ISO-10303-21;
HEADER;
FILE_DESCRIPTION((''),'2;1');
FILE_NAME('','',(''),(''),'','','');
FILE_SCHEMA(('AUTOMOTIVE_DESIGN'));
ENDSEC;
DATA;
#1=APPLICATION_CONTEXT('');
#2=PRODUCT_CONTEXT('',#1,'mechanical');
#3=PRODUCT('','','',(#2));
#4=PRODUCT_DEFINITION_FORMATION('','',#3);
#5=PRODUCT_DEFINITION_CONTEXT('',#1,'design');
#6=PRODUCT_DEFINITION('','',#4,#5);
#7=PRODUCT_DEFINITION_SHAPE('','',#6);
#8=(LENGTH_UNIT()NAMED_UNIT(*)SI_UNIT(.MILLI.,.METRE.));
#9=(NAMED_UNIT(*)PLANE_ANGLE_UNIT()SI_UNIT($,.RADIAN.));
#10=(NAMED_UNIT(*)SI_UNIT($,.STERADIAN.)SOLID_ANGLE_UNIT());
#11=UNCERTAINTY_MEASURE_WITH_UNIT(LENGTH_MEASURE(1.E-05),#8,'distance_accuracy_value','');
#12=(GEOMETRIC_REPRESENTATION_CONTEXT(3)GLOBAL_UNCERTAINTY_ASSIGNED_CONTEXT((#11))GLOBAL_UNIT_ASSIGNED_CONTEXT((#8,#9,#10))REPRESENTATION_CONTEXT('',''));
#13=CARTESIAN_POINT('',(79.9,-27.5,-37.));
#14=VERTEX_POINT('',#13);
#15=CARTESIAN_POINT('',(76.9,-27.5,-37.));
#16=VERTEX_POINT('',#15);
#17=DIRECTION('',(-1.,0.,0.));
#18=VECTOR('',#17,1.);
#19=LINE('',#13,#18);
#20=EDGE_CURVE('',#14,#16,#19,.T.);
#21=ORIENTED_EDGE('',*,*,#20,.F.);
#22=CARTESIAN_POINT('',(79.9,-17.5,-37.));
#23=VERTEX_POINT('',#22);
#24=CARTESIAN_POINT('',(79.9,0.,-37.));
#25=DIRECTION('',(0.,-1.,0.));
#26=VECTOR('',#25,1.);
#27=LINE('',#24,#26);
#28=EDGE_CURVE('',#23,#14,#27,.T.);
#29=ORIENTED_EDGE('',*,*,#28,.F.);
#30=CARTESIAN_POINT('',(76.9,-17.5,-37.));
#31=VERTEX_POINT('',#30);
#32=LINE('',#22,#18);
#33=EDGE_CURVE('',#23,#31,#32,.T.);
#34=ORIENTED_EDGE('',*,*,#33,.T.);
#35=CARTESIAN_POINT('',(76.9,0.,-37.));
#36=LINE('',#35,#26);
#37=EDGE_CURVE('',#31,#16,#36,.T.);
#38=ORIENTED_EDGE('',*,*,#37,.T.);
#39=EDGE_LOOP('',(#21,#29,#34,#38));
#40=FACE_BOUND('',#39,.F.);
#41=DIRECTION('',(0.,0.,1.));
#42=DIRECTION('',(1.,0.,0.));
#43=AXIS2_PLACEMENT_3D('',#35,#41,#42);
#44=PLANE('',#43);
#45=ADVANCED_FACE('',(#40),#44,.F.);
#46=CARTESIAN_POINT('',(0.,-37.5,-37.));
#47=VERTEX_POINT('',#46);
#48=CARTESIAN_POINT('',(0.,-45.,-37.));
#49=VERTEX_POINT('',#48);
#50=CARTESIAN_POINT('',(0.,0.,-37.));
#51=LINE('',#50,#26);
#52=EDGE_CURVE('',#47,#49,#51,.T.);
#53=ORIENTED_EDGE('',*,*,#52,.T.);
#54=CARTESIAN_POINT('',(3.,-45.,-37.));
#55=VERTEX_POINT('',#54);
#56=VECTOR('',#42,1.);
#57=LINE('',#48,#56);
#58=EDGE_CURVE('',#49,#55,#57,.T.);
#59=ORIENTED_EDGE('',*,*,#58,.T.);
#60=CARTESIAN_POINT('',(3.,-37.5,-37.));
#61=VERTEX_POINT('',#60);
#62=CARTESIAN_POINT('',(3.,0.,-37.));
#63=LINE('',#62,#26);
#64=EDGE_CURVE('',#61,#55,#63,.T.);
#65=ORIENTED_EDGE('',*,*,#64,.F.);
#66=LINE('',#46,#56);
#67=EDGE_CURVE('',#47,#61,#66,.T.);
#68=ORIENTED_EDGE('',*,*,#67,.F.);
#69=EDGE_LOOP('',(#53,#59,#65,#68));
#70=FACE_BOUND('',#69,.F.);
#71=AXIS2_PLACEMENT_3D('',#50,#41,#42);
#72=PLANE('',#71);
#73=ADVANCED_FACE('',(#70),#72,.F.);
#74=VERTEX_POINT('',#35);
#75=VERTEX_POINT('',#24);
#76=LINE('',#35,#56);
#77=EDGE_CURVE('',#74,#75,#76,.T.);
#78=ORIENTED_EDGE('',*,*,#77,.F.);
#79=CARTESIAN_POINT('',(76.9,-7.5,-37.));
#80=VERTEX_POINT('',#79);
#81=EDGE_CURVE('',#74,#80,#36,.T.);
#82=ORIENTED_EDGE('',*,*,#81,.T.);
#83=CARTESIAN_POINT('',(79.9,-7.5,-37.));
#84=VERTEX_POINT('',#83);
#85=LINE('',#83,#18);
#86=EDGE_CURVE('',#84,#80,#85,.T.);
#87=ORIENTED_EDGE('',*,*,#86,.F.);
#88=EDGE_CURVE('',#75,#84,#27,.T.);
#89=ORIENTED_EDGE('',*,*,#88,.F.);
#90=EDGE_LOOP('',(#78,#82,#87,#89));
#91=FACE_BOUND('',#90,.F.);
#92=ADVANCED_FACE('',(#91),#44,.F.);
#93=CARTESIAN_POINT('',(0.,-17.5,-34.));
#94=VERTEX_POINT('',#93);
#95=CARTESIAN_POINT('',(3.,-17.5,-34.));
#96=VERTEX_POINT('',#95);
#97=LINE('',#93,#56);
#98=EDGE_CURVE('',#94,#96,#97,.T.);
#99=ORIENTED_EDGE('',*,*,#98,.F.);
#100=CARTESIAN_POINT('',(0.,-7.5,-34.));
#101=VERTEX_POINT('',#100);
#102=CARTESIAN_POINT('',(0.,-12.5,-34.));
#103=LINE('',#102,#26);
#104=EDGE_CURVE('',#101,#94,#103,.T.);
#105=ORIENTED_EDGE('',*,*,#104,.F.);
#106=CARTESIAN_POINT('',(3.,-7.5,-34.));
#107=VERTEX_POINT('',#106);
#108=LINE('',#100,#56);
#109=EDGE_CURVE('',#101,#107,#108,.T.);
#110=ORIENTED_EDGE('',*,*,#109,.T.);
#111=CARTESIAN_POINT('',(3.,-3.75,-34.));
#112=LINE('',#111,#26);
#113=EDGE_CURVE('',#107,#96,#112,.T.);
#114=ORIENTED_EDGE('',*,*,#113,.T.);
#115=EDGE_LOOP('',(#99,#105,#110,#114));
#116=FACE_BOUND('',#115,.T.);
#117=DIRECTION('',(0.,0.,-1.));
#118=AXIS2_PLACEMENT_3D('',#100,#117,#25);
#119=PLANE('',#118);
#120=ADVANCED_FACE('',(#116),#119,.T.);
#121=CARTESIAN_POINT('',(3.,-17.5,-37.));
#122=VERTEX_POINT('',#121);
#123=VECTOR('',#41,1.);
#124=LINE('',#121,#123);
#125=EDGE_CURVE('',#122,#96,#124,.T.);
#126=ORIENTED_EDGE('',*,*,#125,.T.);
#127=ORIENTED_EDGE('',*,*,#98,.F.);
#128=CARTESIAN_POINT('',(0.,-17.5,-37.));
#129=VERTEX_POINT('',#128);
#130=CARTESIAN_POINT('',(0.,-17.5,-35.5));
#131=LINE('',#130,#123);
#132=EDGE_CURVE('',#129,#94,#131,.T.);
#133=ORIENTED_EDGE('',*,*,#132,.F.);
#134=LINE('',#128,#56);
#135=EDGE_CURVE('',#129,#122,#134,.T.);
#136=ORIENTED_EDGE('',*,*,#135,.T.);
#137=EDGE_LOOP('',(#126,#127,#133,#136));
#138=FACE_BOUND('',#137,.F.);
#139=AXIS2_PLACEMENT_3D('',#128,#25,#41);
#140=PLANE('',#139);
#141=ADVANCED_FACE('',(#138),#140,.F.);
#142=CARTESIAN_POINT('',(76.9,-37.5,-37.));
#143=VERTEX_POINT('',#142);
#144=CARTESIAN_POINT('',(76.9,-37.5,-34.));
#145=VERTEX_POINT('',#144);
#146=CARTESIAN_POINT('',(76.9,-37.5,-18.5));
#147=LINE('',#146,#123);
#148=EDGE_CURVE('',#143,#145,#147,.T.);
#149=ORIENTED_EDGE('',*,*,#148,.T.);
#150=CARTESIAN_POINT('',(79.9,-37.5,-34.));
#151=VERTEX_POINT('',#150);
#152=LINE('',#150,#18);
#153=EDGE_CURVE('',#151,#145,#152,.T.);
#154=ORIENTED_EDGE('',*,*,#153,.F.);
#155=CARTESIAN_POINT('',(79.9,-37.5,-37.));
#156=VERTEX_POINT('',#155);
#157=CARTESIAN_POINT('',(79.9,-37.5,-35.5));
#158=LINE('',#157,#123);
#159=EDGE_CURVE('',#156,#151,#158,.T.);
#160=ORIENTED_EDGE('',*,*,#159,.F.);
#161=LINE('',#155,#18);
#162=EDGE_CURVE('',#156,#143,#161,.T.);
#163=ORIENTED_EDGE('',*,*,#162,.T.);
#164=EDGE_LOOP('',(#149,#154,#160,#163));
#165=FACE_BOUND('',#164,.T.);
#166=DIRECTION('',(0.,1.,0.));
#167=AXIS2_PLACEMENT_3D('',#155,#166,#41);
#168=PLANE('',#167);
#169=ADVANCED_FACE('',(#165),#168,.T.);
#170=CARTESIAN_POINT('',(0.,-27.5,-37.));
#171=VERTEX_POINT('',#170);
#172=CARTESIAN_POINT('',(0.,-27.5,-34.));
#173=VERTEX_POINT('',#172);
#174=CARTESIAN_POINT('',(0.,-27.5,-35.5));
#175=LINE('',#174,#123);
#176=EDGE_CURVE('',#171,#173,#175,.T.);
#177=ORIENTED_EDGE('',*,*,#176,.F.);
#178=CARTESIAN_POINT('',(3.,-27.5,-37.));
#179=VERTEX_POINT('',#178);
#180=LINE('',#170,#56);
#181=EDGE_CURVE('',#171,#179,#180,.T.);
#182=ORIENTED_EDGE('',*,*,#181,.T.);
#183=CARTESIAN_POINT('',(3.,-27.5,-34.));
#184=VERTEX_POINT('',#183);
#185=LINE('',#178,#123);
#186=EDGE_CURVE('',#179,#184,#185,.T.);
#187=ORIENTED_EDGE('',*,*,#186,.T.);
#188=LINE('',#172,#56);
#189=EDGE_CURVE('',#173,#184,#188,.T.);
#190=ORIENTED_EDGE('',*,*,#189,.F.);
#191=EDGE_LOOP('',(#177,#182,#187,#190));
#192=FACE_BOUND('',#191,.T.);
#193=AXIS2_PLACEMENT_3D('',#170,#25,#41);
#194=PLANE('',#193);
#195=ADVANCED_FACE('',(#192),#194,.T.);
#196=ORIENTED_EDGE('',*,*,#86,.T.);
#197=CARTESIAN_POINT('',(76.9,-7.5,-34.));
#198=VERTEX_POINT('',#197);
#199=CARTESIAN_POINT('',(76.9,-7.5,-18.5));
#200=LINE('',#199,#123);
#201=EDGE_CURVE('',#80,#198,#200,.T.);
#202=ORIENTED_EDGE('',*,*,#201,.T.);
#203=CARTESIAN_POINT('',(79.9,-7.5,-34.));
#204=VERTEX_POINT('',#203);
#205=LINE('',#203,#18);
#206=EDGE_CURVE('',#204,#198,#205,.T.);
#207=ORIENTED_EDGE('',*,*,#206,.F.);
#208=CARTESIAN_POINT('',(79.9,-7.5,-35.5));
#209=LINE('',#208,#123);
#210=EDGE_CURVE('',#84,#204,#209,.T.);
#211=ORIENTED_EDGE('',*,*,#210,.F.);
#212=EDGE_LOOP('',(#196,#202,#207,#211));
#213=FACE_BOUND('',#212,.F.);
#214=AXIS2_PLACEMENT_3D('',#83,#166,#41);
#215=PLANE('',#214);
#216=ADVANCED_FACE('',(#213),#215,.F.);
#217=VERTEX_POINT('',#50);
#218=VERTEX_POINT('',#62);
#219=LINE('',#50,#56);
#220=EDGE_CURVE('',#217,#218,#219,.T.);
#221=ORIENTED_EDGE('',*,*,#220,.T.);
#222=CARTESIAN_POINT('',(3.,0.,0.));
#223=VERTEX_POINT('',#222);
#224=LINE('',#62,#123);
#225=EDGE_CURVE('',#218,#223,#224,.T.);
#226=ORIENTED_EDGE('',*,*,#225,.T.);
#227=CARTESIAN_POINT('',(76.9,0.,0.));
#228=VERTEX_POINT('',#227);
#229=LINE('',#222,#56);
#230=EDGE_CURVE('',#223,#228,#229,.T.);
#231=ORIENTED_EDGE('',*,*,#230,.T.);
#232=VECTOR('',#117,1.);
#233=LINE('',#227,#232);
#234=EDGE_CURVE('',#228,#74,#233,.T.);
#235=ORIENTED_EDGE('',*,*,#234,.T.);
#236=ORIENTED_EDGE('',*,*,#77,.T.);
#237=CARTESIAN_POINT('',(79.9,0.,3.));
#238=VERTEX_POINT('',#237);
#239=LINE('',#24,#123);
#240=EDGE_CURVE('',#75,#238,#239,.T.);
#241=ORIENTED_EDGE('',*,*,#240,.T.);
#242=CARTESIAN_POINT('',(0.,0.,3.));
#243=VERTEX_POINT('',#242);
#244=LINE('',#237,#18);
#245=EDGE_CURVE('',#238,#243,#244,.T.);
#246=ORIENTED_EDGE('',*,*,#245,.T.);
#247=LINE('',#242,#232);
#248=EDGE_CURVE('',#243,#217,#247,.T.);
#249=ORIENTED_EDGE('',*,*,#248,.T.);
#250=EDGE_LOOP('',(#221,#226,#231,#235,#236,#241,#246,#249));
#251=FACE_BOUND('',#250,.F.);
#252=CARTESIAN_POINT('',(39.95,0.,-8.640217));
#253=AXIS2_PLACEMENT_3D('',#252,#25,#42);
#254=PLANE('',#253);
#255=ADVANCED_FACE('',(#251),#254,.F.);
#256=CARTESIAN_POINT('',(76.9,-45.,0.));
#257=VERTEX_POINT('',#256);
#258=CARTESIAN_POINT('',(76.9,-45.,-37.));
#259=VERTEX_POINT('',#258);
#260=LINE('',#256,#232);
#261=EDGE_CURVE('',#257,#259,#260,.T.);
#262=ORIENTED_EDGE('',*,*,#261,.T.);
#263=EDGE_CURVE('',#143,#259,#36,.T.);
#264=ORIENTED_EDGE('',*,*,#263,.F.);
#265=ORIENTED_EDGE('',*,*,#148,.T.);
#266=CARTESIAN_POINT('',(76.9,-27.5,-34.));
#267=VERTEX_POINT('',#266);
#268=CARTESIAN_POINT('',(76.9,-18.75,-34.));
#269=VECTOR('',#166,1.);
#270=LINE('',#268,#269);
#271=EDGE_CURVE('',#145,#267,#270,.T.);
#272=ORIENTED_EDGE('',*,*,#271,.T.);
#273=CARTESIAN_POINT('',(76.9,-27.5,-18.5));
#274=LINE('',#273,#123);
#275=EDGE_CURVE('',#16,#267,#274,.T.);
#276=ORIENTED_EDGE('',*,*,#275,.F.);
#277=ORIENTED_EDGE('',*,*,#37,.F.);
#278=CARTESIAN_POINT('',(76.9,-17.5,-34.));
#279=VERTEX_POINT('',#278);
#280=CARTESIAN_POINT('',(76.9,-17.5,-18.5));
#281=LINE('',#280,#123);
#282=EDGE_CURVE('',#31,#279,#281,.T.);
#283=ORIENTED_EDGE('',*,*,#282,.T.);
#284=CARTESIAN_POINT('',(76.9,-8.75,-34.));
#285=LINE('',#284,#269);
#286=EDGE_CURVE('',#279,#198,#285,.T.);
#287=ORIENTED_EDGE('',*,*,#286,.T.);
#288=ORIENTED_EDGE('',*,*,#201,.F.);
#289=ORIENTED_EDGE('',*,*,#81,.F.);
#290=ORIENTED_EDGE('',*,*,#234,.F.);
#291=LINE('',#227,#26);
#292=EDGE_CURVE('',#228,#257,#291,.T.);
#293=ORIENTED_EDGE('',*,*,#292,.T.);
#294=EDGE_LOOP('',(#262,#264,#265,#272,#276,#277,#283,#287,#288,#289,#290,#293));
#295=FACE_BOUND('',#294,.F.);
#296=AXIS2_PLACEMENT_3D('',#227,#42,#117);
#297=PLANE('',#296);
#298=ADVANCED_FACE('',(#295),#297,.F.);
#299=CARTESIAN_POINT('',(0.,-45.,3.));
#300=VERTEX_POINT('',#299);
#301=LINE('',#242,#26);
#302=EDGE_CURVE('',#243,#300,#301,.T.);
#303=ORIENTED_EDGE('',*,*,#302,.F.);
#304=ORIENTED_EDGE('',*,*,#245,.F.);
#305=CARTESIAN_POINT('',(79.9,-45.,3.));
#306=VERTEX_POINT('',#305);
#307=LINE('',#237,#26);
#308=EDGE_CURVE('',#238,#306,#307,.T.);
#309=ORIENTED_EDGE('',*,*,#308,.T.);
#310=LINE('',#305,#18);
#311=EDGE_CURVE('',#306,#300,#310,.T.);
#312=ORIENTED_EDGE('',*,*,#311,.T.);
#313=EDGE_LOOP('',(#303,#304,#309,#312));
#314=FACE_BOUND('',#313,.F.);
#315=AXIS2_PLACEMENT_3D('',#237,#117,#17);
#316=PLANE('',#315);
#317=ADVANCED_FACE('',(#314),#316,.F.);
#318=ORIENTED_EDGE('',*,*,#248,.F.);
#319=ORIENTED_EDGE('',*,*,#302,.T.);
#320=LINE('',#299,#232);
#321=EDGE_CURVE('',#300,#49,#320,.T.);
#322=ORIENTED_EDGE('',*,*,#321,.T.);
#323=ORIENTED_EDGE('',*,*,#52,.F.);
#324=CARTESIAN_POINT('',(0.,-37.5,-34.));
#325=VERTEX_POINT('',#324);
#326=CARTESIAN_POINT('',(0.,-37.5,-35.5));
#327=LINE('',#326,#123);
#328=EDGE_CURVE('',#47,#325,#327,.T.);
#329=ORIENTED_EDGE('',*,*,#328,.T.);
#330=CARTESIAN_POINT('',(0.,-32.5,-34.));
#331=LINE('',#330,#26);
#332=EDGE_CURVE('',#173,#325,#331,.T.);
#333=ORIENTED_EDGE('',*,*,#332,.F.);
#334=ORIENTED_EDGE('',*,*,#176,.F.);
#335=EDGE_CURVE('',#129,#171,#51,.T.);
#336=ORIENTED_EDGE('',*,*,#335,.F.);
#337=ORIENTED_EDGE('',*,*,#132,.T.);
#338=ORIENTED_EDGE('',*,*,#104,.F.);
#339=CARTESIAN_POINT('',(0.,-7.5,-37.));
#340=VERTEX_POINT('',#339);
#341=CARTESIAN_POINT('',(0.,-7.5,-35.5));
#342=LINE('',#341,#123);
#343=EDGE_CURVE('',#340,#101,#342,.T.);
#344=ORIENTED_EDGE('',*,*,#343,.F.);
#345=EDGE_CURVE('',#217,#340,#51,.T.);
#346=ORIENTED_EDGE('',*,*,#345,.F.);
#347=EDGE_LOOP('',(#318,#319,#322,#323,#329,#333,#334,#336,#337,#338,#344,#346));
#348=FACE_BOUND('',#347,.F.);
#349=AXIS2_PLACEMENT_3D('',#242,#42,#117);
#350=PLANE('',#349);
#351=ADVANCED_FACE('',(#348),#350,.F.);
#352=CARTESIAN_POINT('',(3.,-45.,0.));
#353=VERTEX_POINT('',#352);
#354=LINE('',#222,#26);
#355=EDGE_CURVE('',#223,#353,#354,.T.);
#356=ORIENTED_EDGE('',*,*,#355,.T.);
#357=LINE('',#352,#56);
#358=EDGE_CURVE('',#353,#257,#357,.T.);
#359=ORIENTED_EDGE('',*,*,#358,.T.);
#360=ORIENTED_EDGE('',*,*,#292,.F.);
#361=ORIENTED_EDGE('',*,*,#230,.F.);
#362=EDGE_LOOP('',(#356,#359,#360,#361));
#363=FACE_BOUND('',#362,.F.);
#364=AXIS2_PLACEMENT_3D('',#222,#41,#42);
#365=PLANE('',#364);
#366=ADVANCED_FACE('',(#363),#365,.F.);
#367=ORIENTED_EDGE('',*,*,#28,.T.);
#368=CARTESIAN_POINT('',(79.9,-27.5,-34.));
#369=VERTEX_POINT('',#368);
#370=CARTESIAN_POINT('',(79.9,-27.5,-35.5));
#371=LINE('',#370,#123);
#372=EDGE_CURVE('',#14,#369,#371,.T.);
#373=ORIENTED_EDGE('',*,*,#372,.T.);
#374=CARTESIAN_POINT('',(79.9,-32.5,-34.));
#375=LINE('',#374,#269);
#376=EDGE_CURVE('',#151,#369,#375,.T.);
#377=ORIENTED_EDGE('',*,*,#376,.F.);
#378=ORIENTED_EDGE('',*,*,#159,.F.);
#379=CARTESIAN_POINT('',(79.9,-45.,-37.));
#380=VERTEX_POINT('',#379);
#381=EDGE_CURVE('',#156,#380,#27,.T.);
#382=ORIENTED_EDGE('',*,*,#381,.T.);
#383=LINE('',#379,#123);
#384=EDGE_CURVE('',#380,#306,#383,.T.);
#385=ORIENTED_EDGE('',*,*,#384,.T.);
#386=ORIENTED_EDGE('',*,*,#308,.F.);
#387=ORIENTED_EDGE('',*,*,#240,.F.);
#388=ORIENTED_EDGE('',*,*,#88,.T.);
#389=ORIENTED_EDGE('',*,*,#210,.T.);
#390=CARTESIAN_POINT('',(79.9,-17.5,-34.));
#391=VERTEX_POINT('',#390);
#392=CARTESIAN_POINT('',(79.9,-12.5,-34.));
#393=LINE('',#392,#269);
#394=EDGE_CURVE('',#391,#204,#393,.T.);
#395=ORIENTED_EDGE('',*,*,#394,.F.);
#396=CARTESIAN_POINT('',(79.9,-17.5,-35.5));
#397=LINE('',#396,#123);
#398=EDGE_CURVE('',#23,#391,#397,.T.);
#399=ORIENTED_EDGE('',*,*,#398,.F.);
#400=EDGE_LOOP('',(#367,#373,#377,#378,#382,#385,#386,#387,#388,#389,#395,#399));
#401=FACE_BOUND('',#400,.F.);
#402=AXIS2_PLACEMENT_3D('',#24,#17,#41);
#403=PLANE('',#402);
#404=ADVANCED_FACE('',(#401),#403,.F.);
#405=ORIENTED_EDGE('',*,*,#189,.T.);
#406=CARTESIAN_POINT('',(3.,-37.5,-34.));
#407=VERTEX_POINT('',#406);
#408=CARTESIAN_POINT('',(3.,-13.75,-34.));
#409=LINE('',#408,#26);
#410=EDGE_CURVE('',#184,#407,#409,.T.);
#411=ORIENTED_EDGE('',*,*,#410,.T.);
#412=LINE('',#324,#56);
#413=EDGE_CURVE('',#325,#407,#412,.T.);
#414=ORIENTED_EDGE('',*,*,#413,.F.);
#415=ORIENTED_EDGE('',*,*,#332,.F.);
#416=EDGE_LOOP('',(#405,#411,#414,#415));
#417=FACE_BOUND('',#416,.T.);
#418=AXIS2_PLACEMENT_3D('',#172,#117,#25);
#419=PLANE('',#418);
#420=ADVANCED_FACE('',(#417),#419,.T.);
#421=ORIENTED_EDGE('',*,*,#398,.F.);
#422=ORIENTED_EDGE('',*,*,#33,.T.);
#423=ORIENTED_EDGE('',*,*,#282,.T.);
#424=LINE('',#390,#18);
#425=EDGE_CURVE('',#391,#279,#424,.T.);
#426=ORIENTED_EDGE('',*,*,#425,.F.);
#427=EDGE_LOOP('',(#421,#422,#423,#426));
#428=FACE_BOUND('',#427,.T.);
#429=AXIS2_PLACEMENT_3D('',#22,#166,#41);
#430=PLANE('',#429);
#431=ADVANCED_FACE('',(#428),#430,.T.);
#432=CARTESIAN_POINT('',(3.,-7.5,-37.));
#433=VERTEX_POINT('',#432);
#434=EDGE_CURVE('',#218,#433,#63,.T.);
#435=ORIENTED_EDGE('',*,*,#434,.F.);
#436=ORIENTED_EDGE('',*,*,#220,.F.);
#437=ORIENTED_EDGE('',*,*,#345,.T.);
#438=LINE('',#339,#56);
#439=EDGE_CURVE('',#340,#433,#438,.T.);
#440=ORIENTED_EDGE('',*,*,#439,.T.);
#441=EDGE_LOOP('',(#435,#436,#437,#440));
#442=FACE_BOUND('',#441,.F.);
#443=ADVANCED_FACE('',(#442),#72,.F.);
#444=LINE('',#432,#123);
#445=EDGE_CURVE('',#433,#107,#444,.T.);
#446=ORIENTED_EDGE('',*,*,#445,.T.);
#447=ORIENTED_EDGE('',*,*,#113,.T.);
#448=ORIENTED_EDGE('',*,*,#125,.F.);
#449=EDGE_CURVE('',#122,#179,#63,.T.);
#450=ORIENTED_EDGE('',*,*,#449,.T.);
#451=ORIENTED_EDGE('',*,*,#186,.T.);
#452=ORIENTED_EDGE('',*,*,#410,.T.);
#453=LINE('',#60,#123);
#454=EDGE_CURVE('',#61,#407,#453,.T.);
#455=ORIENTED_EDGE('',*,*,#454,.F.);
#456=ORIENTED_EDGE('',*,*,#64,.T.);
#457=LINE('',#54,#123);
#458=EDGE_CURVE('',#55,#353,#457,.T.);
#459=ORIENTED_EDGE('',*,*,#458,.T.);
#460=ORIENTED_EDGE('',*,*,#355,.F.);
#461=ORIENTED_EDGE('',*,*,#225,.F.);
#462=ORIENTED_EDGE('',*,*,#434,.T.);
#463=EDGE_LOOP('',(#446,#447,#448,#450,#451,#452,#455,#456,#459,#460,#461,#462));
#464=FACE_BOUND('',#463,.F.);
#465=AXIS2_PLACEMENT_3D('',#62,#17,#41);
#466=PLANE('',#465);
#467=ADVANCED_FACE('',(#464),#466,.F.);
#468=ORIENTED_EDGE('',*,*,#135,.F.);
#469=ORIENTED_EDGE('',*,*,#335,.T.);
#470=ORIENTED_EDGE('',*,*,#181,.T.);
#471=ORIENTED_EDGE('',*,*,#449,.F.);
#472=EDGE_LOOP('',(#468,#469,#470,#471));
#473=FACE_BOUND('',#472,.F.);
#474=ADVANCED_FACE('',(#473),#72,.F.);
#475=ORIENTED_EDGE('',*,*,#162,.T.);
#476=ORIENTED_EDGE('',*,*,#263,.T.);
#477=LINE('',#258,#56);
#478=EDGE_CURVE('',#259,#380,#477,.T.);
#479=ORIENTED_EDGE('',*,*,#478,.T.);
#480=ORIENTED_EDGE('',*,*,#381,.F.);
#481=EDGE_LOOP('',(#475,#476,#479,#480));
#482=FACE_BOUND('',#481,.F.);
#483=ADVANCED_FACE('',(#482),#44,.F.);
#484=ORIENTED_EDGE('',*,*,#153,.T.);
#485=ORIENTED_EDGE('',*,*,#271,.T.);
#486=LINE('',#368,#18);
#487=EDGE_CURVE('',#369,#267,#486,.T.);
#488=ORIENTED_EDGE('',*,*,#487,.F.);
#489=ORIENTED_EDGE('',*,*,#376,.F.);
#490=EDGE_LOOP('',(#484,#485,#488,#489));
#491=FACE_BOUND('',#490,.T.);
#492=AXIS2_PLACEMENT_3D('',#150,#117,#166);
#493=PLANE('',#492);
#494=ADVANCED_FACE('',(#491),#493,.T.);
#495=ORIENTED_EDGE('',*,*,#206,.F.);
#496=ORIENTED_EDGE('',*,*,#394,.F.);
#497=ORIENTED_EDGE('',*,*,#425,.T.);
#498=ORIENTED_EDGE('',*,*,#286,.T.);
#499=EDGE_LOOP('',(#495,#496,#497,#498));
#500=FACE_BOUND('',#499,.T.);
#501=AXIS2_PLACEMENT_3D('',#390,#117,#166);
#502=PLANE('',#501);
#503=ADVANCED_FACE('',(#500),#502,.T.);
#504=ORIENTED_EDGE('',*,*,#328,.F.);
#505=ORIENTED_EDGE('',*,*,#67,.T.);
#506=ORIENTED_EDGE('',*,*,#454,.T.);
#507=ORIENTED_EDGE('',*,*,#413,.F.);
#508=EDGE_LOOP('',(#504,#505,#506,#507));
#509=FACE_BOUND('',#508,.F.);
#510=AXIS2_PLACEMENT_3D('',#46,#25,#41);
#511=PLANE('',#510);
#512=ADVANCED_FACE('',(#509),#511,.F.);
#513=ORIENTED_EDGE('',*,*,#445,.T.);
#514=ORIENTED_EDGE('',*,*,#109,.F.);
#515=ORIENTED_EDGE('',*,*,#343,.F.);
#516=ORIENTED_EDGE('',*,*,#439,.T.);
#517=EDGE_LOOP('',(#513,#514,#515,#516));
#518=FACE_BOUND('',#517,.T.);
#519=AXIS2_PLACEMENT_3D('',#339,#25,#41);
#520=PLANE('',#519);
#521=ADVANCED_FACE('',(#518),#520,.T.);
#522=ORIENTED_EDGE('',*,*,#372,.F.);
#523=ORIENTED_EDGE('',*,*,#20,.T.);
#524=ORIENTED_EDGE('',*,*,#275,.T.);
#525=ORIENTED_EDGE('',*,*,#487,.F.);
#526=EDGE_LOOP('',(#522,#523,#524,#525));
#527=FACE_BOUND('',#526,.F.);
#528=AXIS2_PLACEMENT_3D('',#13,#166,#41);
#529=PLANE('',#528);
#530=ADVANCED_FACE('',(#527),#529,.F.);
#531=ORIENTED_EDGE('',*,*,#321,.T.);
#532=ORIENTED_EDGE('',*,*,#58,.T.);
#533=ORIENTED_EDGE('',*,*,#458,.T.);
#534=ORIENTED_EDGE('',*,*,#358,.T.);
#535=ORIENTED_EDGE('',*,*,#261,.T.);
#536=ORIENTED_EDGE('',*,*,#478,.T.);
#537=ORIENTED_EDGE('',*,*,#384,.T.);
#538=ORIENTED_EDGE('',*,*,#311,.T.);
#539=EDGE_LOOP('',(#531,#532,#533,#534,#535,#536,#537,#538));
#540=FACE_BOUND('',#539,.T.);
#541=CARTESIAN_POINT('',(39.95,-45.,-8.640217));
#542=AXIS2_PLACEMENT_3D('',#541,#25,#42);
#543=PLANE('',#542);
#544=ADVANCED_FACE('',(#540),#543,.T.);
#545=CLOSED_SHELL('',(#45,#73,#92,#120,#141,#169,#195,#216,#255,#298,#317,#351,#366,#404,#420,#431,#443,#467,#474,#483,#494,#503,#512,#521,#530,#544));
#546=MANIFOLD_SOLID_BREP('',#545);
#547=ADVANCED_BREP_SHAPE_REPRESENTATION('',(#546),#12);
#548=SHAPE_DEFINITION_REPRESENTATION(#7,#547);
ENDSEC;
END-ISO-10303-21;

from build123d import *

# Parameters (mm, degrees)
F1_DEPTH = 45
F2_W     = 10
F2_H     = 3
F3_DEPTH = 25
F4_W     = 10
F4_H     = 3
F5_DEPTH = 25


with BuildPart() as f1:
    # F0 (on Front) → F1 (new body)
    with BuildSketch(Plane.XZ):
        Polygon((79.9, 3), (0, 3), (0, -37), (3, -37), (3, 0), (76.9, 0), (76.9, -37), (79.9, -37), align=None)
    extrude(amount=F1_DEPTH)

    # F2 (on face) → F3 (cut)
    with BuildSketch(Plane.YZ.offset(79.9)):
        with Locations((-32.5, -35.5)):
            Rectangle(F2_W, F2_H)
        with Locations((-12.5, -35.5)):
            Rectangle(F2_W, F2_H)
    extrude(amount=-F3_DEPTH, mode=Mode.SUBTRACT)

    # F4 (on face) → F5 (cut)
    with BuildSketch(Plane(origin=(0, 0, 0), x_dir=(0, -1, 0), z_dir=(-1, 0, 0))):
        with Locations((12.5, -35.5)):
            Rectangle(F4_W, F4_H)
        with Locations((32.5, -35.5)):
            Rectangle(F4_W, F4_H)
    extrude(amount=-F5_DEPTH, mode=Mode.SUBTRACT)


solid = f1.part
